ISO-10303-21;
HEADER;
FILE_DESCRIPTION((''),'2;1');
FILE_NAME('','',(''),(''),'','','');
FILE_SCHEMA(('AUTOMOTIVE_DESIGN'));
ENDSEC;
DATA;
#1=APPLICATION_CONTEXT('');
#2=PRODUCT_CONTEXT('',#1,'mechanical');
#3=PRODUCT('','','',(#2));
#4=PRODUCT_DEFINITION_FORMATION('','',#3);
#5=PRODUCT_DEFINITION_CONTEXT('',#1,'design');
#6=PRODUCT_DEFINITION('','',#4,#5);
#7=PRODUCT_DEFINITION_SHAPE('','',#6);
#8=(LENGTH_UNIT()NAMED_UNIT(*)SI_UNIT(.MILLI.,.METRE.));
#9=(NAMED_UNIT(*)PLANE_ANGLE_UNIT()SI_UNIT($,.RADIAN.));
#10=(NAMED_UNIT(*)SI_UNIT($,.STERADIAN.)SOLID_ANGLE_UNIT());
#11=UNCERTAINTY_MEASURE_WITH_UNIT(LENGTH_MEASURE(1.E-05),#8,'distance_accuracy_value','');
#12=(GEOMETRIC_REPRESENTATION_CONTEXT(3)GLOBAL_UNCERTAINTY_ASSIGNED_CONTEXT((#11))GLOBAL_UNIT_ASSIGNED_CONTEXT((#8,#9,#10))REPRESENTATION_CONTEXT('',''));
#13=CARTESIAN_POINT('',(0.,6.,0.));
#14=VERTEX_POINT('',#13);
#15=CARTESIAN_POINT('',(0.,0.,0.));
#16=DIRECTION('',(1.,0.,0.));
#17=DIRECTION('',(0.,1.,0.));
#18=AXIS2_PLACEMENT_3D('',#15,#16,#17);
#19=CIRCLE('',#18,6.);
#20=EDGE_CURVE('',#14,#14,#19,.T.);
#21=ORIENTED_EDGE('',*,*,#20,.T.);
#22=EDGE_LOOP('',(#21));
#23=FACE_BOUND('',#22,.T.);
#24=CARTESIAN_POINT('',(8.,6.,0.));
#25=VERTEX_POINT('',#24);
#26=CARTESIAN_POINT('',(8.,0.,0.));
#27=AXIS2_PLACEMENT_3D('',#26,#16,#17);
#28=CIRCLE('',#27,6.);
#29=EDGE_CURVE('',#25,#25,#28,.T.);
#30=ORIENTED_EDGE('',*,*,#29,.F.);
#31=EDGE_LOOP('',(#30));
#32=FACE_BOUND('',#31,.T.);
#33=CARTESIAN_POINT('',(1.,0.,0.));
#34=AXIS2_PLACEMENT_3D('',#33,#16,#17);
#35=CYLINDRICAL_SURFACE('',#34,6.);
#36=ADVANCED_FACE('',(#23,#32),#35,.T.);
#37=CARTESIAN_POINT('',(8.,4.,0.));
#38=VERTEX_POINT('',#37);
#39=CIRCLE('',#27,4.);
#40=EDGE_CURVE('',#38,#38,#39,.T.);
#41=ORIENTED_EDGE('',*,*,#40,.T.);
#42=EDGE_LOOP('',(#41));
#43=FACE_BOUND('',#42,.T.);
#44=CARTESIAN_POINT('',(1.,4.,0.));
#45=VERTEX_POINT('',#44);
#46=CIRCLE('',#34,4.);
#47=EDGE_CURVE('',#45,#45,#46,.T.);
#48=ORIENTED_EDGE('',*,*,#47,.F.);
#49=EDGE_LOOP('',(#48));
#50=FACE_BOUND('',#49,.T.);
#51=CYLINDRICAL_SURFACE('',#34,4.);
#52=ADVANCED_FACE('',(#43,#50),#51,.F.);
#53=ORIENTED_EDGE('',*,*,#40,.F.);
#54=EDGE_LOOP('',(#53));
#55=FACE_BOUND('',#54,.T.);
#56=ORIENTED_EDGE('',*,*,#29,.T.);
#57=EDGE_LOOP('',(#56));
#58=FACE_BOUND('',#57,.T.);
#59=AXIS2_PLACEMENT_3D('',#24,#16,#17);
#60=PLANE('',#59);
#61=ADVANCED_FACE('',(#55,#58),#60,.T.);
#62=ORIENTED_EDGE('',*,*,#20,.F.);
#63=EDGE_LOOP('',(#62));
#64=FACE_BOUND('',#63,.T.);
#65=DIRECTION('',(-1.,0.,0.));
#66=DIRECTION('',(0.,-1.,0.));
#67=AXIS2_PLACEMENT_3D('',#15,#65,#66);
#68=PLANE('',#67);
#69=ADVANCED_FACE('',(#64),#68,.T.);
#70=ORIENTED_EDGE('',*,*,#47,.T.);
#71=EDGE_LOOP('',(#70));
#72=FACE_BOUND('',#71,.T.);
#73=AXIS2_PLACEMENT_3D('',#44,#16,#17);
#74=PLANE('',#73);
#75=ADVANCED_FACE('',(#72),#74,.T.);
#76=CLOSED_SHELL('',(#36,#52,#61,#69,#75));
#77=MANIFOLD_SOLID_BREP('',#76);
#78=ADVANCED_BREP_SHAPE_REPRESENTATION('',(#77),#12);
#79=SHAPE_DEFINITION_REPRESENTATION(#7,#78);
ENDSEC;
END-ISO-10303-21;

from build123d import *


with BuildPart() as part:
    # Sketch1 → Revolve1 (revolve)
    with BuildSketch(Plane.XY):
        Polygon((0, 0), (0, 6), (8, 6), (8, 4), (1, 4), (1, 0), align=None)
    revolve(axis=Axis((1, 0, 0), (-1, 0, 0)))


solid = part.part
